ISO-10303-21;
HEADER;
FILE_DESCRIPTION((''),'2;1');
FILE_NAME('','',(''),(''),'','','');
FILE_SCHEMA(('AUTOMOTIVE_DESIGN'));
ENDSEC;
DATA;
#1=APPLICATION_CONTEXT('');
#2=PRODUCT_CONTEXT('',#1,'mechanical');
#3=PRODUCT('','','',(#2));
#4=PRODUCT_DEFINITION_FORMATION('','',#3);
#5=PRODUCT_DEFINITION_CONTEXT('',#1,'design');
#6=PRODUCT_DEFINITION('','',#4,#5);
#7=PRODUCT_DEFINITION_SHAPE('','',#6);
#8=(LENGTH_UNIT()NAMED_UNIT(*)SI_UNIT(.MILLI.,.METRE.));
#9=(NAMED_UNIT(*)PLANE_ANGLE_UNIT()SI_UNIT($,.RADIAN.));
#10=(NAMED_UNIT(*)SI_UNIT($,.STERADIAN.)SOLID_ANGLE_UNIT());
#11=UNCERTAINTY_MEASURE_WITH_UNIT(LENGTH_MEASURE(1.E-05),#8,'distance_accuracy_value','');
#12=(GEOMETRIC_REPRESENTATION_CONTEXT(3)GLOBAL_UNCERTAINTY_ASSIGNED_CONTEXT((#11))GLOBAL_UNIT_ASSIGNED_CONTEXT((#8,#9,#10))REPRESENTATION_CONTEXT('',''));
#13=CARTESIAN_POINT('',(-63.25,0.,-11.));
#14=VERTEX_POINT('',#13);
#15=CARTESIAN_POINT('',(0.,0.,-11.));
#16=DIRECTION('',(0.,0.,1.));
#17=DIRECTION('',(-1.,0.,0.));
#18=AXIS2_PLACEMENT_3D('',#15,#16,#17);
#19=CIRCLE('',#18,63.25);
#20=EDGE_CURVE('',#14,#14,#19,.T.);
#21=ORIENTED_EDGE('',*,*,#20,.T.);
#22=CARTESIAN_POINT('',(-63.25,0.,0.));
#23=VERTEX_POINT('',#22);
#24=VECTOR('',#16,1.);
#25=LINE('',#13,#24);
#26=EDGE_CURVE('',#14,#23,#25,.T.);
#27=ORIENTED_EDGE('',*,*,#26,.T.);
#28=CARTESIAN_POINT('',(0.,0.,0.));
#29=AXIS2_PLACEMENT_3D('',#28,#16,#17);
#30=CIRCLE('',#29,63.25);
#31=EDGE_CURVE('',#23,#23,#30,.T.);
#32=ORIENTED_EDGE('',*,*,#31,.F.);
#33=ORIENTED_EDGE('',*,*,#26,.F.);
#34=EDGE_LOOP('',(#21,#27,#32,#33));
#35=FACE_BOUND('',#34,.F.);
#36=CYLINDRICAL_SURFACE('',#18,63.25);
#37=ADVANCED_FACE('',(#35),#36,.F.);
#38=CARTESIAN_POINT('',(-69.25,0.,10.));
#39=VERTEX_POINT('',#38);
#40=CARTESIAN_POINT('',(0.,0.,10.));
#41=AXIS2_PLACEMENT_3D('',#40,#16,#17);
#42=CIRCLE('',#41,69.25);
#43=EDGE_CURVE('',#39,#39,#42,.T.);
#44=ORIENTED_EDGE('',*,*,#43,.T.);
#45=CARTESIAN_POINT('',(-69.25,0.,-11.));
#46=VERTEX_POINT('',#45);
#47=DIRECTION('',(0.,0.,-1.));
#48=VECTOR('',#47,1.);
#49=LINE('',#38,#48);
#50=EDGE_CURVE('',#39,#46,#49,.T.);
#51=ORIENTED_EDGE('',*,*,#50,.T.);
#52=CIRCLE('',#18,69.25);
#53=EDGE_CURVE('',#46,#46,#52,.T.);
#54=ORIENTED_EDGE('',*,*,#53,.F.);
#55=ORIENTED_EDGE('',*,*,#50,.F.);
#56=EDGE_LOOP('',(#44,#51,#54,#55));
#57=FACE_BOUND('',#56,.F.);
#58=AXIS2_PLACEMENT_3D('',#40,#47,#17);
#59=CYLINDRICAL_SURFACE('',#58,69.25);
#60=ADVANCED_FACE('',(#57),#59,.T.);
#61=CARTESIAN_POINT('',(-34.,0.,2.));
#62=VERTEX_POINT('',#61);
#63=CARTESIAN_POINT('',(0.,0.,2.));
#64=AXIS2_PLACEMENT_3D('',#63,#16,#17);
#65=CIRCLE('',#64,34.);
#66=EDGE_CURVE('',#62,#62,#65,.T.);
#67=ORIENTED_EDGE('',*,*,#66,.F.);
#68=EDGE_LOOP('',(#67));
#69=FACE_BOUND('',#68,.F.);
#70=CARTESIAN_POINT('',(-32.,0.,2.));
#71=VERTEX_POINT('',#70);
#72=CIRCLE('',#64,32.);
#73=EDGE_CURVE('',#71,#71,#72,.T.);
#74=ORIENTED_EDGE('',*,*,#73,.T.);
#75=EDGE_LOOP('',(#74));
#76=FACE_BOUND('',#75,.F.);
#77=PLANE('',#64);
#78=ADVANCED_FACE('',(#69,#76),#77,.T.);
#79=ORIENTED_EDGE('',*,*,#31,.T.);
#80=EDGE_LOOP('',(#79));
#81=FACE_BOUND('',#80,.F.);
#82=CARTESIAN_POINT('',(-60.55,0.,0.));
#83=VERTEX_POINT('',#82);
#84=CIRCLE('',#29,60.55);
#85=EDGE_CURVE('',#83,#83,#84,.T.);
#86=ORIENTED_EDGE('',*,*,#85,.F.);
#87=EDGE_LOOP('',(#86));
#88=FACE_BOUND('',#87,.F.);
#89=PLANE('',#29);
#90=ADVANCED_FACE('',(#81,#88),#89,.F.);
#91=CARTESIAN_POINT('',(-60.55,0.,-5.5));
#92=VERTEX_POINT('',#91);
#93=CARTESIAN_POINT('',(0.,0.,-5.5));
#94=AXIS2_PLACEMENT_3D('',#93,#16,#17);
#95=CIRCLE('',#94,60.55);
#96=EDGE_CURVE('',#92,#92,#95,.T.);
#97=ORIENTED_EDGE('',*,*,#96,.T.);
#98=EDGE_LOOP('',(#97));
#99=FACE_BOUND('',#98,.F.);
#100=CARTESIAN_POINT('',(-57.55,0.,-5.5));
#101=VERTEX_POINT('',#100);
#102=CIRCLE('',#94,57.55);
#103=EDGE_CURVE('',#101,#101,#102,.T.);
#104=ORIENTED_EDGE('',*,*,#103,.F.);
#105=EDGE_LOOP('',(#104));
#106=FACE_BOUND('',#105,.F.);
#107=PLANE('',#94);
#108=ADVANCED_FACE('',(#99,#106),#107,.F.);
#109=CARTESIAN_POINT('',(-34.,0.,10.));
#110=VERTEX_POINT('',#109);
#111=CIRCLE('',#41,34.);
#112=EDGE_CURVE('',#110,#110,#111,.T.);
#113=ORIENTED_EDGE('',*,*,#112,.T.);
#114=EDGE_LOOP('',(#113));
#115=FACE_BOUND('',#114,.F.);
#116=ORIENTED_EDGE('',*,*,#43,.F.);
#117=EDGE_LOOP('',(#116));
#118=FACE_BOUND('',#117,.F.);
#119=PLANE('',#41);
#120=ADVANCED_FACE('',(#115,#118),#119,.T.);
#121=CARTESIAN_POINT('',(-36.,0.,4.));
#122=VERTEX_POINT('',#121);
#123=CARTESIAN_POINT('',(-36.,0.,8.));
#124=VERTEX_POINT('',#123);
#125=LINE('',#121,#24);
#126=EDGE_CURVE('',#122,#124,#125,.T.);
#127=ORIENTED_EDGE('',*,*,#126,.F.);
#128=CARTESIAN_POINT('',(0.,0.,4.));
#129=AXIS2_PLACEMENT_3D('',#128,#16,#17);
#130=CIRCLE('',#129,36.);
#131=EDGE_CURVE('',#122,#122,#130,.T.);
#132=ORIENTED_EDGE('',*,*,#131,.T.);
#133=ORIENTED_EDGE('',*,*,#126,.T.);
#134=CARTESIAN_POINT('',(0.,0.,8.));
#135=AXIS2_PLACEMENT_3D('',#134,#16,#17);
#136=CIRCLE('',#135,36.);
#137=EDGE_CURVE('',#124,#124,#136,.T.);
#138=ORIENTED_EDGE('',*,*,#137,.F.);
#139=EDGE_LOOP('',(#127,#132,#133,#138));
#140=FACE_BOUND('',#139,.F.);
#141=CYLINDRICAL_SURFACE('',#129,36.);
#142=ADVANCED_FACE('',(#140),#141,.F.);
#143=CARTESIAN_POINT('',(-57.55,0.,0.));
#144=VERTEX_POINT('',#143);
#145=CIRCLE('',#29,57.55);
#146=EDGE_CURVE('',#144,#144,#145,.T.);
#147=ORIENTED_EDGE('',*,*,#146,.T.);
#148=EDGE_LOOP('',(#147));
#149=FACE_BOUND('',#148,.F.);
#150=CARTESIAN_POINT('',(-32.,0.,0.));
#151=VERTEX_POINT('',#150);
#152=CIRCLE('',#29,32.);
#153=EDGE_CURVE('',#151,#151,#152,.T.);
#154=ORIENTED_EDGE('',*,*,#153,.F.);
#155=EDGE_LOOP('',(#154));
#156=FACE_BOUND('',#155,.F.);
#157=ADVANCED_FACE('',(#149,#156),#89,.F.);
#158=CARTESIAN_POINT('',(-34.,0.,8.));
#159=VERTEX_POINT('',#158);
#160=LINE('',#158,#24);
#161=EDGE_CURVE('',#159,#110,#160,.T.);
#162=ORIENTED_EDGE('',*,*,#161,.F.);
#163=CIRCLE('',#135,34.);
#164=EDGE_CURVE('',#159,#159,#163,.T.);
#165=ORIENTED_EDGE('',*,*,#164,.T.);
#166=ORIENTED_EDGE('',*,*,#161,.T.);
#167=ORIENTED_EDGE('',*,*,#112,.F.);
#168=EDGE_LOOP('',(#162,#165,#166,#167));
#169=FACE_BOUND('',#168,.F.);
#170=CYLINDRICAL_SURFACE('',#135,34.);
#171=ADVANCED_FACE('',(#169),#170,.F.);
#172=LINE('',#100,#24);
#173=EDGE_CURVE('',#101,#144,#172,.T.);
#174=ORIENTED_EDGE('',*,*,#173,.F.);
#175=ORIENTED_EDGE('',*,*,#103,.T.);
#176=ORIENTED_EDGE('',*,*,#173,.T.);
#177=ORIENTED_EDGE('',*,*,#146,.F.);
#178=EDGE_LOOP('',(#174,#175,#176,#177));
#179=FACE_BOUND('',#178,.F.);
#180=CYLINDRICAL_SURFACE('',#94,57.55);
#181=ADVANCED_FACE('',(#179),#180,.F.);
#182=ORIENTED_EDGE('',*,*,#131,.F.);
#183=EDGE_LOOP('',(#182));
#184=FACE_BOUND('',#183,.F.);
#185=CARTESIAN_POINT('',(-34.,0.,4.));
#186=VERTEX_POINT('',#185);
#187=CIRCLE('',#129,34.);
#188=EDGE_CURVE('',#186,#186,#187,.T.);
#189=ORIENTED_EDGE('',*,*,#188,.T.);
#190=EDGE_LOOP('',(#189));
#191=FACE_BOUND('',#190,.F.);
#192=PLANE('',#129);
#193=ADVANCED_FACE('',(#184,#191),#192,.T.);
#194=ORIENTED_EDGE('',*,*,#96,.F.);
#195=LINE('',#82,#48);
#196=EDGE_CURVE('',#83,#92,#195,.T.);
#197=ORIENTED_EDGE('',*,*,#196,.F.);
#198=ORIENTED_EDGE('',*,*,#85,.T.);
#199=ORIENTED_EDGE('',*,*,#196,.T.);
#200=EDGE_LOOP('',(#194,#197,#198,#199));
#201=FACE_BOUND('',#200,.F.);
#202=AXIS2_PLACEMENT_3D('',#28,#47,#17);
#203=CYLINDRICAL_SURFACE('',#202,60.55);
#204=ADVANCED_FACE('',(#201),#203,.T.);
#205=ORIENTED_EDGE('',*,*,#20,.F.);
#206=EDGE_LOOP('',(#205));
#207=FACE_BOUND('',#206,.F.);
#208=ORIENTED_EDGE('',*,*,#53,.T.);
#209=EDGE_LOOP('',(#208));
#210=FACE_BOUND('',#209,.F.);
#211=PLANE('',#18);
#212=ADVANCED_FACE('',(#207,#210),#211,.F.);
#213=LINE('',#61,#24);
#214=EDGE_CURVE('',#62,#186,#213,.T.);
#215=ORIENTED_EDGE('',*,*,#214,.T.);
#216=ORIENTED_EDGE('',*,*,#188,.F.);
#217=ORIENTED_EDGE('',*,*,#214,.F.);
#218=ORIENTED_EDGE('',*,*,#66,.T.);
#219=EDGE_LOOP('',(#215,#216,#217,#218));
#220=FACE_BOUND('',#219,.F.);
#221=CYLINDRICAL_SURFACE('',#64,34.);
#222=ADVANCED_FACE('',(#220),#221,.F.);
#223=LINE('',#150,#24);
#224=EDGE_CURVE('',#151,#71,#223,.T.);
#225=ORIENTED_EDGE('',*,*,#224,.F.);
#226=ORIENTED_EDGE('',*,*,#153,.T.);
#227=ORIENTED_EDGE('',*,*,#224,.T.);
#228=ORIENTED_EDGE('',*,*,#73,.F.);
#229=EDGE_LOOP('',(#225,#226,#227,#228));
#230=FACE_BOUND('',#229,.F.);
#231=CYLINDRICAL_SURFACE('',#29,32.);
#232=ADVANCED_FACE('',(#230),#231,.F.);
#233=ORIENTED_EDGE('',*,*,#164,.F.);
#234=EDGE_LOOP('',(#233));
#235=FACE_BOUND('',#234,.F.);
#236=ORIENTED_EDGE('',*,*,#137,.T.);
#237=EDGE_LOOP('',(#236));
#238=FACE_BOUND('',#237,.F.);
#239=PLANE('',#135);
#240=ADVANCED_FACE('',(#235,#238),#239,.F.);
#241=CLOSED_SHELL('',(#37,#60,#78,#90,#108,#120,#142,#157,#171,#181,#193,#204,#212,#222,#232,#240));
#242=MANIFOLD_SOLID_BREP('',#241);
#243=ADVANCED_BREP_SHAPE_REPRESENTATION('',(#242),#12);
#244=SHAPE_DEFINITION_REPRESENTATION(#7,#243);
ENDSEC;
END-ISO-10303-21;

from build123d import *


with BuildPart() as f1:
    # F0 (on Front) → F1 (revolve)
    with BuildSketch(Plane.XZ):
        Polygon((-34, 0), (-32, 0), (-32, 2), (-34, 2), (-34, 4), (-36, 4), (-36, 8), (-34, 8), (-34, 10), (-69.25, 10), (-69.25, -11), (-63.25, -11), (-63.25, 0), (-60.55, 0), (-60.55, -5.5), (-57.55, -5.5), (-57.55, 0), align=None)
    revolve(axis=Axis((0, 0, 5), (0, 0, 1)))


solid = f1.part
